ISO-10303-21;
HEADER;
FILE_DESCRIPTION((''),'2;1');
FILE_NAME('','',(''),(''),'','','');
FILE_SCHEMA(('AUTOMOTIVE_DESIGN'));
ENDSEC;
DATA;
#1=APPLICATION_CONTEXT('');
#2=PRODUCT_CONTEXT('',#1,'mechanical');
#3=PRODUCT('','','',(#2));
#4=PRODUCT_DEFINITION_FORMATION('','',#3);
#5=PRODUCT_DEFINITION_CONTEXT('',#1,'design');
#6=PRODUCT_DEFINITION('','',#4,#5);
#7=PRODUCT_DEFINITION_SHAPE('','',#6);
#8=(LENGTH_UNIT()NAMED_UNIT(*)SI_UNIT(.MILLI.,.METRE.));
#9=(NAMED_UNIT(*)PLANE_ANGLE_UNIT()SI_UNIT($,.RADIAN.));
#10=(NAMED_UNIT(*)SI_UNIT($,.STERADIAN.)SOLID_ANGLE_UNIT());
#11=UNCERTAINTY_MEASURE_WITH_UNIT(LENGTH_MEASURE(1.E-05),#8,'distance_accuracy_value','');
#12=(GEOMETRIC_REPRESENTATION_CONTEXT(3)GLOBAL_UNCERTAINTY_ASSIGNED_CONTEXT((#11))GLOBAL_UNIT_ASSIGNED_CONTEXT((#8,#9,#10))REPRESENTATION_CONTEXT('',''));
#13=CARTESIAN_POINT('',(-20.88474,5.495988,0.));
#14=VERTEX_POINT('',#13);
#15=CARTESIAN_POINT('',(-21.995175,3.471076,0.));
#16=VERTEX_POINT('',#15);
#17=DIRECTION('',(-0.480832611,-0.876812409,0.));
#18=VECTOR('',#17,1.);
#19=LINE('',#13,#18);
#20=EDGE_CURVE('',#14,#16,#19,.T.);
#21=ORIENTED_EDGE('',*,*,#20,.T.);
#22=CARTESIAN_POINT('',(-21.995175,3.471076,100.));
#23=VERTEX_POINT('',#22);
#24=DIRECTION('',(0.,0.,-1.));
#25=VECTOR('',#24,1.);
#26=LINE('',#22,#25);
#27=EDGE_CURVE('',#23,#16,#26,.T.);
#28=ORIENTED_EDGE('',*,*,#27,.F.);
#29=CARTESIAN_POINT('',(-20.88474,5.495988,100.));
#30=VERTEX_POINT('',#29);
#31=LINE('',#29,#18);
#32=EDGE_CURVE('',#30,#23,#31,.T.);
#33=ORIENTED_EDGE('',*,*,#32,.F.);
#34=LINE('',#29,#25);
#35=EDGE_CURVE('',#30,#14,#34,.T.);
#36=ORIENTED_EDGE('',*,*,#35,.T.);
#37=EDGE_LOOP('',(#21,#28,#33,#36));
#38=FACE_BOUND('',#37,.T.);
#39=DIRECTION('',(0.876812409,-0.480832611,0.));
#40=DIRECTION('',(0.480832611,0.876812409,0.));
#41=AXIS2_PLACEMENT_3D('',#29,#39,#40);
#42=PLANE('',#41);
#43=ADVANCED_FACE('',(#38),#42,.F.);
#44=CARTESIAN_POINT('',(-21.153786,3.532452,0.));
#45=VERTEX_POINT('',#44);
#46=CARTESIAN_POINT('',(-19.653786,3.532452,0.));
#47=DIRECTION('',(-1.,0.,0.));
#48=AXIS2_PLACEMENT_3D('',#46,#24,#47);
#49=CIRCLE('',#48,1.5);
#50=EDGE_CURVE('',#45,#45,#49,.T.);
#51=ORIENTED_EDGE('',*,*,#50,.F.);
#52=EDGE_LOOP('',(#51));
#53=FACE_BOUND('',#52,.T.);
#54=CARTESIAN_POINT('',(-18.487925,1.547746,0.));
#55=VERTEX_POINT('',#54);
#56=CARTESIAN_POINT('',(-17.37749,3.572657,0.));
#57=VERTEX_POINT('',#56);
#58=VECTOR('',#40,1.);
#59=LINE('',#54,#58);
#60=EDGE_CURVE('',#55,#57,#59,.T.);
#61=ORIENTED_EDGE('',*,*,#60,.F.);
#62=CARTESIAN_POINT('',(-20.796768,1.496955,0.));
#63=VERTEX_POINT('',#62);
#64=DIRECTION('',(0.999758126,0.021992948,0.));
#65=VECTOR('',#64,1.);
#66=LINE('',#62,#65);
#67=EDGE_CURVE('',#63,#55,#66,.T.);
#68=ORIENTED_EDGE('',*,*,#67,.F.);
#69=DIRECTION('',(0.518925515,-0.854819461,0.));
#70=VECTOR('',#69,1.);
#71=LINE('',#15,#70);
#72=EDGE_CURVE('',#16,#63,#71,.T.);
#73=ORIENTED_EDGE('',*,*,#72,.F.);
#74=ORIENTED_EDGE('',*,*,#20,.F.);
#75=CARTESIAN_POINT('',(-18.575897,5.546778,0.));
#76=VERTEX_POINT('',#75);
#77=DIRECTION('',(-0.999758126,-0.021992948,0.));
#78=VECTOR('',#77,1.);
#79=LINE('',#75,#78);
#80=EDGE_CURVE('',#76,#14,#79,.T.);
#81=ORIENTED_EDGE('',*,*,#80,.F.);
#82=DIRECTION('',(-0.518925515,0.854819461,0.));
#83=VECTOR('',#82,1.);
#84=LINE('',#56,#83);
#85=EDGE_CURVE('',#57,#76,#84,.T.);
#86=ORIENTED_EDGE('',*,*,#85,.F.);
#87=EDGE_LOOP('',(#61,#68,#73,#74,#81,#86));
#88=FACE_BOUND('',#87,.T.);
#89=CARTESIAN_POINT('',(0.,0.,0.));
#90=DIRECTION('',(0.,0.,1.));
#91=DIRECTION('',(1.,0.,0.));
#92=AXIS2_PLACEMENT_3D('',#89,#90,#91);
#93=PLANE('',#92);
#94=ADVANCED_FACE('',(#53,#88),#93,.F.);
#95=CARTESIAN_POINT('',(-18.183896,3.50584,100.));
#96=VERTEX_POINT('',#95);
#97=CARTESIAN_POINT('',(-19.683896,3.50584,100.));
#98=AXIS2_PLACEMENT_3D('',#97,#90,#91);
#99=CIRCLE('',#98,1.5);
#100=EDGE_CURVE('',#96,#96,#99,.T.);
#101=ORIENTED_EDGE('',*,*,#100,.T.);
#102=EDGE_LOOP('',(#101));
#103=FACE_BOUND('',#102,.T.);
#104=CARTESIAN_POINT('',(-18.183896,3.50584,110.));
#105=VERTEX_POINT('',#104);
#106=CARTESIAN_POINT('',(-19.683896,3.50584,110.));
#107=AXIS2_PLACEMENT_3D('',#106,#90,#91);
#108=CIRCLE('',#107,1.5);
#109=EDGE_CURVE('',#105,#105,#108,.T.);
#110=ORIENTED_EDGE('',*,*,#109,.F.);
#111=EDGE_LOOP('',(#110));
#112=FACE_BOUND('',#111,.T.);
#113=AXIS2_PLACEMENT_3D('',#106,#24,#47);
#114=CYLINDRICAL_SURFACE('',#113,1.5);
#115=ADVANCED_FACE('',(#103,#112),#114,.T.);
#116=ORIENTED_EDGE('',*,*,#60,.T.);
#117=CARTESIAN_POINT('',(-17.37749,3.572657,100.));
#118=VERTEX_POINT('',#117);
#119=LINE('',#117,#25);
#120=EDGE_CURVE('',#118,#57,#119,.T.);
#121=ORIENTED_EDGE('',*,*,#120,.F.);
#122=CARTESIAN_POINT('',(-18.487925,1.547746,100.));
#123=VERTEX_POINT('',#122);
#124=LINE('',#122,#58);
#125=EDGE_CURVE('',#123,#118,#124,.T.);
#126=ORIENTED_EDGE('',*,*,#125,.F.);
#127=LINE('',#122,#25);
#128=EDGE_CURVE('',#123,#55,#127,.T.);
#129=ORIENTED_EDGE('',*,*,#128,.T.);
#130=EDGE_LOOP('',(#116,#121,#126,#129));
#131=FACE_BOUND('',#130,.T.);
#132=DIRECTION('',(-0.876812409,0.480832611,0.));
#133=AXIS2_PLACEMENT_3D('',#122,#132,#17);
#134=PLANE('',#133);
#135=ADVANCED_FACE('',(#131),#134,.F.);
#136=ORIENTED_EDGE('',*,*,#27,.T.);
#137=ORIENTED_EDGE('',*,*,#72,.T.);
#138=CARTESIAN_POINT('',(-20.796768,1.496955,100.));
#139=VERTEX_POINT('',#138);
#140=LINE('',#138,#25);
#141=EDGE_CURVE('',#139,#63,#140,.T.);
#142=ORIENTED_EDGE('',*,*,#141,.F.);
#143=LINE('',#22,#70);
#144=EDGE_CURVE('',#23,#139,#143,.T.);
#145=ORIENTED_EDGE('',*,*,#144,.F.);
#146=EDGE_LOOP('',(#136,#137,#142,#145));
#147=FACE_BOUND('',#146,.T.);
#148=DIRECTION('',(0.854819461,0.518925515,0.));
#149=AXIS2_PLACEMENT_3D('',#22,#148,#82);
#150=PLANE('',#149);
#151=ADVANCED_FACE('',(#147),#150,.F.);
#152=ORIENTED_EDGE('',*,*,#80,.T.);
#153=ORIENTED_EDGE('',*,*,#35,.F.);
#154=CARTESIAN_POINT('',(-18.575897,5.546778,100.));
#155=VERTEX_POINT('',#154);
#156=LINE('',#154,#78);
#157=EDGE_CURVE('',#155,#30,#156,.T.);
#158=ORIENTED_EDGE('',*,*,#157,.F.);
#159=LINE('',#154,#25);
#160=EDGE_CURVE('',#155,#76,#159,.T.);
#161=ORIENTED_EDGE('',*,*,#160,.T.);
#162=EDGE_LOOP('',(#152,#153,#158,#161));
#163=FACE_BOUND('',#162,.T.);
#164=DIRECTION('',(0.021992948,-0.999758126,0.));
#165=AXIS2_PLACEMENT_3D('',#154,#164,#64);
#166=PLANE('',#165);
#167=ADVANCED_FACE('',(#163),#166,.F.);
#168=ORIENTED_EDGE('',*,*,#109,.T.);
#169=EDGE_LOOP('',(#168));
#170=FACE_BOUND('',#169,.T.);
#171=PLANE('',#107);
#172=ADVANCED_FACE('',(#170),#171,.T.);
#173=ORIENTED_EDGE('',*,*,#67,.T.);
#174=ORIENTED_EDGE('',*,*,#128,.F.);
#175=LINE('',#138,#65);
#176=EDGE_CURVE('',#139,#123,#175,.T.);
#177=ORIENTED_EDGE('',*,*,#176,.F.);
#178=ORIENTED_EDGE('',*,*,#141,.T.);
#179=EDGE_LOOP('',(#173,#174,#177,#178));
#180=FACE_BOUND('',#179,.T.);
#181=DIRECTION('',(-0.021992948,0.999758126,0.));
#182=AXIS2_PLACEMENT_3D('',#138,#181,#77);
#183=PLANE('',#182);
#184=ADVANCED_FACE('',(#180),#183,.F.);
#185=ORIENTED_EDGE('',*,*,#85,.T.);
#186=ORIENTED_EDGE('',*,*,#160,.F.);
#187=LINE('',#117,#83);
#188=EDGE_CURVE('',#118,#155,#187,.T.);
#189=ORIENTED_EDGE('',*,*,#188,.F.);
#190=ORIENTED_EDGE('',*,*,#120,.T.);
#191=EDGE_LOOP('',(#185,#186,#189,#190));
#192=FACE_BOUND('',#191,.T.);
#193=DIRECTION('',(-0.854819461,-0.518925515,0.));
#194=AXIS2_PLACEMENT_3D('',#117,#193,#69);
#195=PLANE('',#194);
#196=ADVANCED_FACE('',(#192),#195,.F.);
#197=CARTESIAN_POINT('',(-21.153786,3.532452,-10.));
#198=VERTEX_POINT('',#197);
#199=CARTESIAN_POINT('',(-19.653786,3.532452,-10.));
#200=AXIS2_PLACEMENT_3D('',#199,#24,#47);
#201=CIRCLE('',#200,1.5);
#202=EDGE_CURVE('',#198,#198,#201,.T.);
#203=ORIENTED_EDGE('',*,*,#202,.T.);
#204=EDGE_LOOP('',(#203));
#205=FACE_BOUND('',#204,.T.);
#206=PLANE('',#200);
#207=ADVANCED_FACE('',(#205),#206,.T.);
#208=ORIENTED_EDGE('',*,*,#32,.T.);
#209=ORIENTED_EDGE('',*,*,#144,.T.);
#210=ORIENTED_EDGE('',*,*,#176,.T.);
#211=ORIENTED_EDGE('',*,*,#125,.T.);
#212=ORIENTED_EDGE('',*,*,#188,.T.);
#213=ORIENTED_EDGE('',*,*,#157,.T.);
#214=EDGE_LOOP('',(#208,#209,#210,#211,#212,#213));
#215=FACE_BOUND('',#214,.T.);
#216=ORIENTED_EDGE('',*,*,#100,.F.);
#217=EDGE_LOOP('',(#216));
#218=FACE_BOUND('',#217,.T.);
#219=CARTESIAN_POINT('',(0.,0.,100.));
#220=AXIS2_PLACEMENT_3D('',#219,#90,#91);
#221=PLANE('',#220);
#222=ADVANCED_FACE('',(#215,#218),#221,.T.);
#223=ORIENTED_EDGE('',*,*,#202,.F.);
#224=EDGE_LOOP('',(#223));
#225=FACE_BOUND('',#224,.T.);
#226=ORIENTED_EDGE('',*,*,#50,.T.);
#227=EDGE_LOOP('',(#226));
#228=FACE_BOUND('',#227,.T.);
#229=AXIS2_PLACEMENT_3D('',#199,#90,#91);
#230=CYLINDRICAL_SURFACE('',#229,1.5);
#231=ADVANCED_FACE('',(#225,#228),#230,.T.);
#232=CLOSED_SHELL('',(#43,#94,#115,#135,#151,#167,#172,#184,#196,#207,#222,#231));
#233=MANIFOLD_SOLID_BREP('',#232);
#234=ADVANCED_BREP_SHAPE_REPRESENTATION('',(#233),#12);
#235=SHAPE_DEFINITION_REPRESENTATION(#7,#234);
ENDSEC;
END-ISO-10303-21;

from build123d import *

# Parameters (mm, degrees)
BOSS_EXTRUDE1_DEPTH = 100
SKETCH3_R           = 1.5
BOSS_EXTRUDE2_DEPTH = 10
SKETCH4_R           = 1.5
BOSS_EXTRUDE3_DEPTH = 10


with BuildPart() as part:
    # Sketch2 → Boss-Extrude1 (new body)
    with BuildSketch(Plane.XY):
        Polygon((-18.575897145, 5.546778343), (-20.884739637, 5.495987805), (-21.995174987, 3.471076285), (-20.796767845, 1.496955302), (-18.487925352, 1.54774584), (-17.377490002, 3.57265736), align=None)
    extrude(amount=BOSS_EXTRUDE1_DEPTH)

    # Sketch3 → Boss-Extrude2 (add)
    with BuildSketch(Plane.XY.offset(100)):
        with Locations((-19.683896115, 3.505839662)):
            Circle(SKETCH3_R)
    extrude(amount=BOSS_EXTRUDE2_DEPTH)

    # Sketch4 → Boss-Extrude3 (add)
    with BuildSketch(Plane(origin=(0, 0, 0), x_dir=(-1, 0, 0), z_dir=(0, 0, -1))):
        with Locations((19.653785762, 3.532451742)):
            Circle(SKETCH4_R)
    extrude(amount=BOSS_EXTRUDE3_DEPTH)


solid = part.part
